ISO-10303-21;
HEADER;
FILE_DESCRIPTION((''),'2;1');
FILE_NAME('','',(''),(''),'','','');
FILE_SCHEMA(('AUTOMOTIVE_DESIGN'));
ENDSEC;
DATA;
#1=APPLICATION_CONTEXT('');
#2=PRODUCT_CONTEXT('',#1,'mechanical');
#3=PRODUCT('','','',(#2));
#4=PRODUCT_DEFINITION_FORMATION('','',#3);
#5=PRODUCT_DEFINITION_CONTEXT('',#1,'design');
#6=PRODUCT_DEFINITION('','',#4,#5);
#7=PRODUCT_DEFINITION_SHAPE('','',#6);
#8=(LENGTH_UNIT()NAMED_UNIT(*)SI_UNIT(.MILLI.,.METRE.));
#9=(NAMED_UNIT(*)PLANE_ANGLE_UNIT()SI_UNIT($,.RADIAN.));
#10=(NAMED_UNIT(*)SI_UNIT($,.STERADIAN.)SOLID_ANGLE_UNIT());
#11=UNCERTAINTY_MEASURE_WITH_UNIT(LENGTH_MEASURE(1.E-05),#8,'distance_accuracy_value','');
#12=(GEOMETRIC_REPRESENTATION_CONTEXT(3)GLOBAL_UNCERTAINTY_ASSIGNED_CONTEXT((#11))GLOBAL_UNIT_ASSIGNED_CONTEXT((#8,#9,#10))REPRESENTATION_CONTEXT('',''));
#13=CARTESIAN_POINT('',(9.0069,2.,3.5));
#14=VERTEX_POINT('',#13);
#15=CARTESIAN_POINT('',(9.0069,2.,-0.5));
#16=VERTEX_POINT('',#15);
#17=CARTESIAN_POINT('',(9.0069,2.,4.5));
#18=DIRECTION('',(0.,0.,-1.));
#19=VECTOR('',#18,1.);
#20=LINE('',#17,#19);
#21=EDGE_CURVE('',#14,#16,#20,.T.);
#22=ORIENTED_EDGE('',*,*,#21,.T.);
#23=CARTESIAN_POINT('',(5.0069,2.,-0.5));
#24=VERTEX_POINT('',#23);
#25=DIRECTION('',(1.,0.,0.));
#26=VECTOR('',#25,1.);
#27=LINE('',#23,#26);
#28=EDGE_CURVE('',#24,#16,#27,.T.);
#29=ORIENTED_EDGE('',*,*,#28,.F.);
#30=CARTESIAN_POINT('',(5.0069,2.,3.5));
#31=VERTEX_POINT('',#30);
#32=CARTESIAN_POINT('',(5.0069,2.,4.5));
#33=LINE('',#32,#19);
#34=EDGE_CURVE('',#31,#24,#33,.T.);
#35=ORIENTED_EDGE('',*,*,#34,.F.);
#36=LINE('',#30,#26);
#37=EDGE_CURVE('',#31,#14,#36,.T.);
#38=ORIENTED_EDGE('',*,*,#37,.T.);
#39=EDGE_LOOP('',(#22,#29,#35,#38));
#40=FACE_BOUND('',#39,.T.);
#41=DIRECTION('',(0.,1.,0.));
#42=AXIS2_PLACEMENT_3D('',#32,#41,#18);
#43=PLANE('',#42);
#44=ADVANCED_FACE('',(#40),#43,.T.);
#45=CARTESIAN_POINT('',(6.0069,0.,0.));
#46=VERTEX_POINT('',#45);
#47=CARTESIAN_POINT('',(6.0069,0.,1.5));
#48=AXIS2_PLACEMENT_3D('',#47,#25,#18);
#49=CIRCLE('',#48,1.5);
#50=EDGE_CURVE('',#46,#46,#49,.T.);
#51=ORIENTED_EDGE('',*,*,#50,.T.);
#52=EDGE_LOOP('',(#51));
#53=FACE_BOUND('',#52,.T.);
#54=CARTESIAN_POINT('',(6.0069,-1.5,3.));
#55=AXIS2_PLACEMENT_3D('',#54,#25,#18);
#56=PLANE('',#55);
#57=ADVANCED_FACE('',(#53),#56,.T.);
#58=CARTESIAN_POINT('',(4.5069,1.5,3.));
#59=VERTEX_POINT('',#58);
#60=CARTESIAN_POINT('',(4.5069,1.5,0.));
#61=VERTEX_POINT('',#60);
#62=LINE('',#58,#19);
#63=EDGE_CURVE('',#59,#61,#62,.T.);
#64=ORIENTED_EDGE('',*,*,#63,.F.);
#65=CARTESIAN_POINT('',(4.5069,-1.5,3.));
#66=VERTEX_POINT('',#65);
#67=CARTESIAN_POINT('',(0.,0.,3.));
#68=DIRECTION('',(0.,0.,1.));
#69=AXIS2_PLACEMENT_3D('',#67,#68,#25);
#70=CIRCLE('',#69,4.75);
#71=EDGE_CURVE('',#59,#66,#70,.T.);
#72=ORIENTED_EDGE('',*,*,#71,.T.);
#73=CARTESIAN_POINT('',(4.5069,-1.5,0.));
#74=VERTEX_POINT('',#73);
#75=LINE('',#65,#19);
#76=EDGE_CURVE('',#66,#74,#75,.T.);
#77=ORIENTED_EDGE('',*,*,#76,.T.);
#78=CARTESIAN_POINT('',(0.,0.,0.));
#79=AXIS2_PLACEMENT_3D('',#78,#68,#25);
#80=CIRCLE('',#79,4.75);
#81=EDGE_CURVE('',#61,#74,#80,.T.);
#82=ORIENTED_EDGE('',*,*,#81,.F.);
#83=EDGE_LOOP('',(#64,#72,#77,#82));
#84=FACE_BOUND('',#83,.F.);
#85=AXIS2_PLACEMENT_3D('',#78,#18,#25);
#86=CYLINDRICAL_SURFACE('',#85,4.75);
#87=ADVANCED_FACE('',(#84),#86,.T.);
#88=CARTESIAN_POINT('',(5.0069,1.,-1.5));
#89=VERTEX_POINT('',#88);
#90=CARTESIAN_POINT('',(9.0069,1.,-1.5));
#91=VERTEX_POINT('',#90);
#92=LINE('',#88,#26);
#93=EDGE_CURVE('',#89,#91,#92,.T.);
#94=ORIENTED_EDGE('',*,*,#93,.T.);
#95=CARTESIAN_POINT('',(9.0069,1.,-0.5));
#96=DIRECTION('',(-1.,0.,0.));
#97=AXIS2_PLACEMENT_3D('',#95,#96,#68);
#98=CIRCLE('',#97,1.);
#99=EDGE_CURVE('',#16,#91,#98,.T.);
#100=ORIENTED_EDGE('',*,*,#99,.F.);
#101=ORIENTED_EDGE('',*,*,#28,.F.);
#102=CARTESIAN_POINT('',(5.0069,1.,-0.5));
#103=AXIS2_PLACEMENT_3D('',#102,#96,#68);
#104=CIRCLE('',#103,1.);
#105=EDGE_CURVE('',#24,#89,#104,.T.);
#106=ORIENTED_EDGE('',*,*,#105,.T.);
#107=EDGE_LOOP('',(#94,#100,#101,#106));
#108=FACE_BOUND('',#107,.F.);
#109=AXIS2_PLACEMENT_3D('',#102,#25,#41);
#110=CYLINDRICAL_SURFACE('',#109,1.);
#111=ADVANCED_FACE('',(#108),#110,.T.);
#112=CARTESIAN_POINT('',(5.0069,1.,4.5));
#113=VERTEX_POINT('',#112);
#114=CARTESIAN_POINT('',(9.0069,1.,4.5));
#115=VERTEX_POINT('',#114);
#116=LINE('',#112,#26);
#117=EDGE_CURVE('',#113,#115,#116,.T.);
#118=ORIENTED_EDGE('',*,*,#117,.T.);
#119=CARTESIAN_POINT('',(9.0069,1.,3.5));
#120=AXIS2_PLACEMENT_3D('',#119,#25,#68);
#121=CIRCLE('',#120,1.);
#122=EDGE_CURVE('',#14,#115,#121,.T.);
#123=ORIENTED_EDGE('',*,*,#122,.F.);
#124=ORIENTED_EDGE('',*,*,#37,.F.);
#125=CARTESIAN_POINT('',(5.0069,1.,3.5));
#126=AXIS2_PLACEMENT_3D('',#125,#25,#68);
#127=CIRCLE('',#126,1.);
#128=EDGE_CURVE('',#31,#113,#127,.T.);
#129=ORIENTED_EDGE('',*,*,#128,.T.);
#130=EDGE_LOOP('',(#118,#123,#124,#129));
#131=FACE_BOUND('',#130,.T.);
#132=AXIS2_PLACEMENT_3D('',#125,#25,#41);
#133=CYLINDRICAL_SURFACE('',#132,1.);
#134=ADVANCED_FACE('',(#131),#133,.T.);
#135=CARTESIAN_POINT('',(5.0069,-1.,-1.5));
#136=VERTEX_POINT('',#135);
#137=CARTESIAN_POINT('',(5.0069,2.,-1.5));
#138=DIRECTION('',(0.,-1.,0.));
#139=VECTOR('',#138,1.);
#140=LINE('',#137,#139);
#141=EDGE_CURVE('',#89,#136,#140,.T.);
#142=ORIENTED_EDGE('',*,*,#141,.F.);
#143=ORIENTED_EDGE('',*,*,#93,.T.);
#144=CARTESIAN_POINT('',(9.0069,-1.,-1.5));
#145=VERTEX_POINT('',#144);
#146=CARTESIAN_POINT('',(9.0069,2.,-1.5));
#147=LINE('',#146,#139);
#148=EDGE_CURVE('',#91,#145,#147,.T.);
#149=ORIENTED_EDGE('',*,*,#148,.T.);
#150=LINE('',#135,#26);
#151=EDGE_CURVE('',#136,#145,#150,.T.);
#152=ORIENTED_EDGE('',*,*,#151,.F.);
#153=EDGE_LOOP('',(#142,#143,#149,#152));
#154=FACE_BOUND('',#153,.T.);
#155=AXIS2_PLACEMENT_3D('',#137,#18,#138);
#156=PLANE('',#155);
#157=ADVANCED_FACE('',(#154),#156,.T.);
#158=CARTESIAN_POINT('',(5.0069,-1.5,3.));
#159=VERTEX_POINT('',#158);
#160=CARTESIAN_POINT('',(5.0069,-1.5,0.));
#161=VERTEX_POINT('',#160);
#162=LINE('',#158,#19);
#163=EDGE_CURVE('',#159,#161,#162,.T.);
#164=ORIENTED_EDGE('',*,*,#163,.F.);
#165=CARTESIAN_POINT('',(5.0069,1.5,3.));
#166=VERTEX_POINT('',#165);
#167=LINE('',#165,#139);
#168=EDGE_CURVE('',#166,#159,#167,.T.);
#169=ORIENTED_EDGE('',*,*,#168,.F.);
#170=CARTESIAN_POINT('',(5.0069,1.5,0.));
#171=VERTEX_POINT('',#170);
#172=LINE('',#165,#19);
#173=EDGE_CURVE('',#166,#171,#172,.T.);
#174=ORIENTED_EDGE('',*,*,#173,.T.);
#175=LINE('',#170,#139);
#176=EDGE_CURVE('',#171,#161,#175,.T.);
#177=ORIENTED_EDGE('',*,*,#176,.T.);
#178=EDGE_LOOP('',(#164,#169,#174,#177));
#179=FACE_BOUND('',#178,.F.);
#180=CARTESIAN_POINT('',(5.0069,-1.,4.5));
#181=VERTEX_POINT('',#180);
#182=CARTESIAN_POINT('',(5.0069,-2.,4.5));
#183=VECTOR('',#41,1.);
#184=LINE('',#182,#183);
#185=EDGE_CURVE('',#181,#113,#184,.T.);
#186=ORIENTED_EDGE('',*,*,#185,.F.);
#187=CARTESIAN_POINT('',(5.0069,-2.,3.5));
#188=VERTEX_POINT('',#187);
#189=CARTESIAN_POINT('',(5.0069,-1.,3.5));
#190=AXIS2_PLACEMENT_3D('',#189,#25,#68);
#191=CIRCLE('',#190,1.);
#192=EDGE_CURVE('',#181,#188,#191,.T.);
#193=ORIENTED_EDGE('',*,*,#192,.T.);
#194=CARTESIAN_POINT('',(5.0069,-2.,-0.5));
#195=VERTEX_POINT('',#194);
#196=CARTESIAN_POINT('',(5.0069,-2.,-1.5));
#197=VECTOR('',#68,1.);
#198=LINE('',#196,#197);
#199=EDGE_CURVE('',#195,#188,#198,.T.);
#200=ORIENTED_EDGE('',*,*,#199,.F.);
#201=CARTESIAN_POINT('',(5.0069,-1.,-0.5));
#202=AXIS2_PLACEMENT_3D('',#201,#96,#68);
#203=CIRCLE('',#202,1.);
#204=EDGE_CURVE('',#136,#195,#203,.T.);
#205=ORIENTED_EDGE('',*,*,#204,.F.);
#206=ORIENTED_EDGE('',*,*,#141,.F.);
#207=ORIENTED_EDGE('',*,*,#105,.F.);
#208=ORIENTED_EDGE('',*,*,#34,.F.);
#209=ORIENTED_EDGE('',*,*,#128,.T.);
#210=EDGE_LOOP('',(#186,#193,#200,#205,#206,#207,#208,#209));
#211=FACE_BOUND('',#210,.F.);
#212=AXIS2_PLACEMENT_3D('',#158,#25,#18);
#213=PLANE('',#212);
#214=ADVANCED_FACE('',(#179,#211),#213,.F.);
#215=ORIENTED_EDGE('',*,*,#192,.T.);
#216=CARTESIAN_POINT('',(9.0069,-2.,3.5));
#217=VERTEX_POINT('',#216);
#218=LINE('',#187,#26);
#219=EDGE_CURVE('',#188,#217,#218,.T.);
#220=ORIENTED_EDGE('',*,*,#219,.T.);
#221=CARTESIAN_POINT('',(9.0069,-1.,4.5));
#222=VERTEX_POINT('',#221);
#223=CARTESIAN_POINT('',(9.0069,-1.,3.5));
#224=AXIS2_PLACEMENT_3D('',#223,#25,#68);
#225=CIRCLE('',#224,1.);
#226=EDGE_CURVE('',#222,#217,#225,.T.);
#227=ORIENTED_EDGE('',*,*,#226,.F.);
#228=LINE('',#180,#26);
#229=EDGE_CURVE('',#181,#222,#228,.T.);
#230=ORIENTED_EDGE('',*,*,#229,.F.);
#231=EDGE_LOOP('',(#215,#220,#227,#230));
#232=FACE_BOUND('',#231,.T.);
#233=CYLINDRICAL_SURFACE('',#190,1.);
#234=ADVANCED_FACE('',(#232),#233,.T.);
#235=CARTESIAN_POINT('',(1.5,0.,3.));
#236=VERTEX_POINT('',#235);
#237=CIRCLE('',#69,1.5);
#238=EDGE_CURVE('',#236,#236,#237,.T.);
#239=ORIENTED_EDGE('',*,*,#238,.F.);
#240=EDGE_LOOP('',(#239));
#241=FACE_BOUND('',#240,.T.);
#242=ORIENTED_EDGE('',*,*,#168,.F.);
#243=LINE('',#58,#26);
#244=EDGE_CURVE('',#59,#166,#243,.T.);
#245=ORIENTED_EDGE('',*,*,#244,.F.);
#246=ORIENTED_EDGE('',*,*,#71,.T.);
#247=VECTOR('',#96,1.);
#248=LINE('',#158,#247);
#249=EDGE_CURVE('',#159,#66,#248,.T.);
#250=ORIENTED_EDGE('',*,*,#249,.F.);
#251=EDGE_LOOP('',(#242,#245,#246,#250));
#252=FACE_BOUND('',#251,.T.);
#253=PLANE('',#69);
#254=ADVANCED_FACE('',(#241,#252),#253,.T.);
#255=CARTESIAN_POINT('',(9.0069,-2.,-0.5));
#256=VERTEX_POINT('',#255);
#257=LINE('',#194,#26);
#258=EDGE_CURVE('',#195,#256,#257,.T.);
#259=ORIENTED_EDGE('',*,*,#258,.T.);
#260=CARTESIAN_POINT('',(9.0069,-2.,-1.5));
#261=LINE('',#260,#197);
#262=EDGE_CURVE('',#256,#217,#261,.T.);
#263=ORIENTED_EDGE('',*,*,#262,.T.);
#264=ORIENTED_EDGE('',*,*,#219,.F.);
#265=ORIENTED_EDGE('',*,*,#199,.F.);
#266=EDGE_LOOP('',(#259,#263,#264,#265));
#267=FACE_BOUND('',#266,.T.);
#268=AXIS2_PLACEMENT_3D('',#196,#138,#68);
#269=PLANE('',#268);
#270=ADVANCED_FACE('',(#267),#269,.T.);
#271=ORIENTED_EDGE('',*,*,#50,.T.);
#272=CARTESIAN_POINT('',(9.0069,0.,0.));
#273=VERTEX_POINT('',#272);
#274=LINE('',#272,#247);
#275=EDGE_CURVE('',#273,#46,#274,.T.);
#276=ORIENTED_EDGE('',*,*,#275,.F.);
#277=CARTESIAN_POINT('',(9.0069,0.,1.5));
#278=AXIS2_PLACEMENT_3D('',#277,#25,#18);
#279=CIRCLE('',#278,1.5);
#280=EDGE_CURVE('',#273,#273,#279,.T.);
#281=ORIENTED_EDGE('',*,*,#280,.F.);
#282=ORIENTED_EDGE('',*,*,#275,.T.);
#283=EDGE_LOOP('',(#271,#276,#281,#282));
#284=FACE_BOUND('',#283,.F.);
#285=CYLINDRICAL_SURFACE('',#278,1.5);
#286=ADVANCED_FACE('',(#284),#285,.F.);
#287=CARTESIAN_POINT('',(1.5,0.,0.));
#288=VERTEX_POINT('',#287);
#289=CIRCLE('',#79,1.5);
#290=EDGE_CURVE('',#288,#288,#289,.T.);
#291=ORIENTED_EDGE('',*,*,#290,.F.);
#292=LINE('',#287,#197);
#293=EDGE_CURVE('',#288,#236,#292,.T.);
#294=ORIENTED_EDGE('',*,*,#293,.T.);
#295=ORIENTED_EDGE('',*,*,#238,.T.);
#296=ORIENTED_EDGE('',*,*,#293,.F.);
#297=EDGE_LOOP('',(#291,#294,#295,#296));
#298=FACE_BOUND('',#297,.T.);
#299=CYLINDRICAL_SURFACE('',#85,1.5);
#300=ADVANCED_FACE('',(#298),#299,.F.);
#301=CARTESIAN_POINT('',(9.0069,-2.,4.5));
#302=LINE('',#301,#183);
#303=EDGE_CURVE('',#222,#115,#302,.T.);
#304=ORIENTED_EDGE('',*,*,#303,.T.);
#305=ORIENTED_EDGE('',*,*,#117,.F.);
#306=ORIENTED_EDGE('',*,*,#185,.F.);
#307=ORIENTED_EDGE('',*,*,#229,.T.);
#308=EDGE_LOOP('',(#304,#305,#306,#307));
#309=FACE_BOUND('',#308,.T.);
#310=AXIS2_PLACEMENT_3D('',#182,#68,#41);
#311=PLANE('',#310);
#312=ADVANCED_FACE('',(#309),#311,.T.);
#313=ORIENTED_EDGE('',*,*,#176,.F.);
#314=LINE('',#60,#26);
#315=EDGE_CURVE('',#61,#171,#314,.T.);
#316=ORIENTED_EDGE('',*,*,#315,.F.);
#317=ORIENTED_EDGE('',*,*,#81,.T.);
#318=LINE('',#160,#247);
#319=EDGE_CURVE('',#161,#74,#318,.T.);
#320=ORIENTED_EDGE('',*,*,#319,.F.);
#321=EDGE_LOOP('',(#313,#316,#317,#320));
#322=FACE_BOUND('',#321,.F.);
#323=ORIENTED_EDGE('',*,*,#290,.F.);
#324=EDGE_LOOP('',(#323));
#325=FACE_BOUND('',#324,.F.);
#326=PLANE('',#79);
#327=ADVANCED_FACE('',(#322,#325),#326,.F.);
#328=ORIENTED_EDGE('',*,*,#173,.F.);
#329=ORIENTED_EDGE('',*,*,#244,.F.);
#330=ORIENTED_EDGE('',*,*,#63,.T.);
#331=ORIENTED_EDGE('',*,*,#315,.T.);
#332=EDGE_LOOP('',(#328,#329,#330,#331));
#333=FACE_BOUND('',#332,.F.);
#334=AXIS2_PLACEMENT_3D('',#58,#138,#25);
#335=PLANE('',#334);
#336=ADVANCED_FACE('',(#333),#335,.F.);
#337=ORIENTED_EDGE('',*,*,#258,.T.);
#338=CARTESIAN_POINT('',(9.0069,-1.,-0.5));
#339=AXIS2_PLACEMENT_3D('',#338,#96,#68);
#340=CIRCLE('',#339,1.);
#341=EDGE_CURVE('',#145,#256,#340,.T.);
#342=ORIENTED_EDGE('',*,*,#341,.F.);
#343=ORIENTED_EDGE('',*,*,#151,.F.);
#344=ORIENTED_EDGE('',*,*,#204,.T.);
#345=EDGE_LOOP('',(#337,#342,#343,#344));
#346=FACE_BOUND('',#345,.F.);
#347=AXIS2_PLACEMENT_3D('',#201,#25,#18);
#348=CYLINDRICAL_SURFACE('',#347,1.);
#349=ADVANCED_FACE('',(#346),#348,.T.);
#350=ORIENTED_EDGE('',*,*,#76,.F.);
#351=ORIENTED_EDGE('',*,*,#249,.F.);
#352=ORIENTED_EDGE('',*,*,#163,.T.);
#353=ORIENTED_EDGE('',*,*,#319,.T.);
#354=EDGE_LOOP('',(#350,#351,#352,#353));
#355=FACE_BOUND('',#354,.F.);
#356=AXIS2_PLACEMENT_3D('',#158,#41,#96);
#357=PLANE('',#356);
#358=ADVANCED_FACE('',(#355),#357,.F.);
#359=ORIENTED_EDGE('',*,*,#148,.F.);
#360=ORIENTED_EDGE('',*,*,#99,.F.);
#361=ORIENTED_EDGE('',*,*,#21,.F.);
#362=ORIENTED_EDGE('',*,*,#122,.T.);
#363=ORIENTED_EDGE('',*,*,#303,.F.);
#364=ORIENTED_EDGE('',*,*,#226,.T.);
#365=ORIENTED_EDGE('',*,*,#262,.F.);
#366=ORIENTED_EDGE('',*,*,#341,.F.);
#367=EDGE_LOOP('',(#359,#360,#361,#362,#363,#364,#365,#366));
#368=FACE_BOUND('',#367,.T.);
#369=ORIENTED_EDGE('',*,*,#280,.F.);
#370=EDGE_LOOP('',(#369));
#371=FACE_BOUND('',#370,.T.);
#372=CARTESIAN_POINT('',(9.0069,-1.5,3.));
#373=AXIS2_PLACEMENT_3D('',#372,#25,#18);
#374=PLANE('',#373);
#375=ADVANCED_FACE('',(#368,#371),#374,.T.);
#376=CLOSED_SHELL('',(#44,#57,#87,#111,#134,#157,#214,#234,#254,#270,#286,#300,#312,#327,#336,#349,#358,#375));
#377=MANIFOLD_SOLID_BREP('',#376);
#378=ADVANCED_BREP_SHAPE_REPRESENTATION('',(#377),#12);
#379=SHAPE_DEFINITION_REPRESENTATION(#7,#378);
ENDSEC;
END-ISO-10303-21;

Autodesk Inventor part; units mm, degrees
ref_plane "YZ Plane" through (0, 0, 0) normal (1, 0, 0) x (0, 1, 0)
ref_plane "XZ Plane" through (0, 0, 0) normal (0, 1, 0) x (-1, 0, 0)
ref_plane "XY Plane" through (0, 0, 0) normal (0, 0, 1) x (1, 0, 0)
sketch "Sketch1" plane through (0, 0, 0) normal (0, 0, 1) x (1, 0, 0)
  circle A0 centre (0, 0) radius 1.5
  circle A1 centre (0, 0) radius 4.75
  dimension "d0" = 3
  dimension "d1" = 9.5
extrude "Extrusion1" add sketch "Sketch1" along normal blind 3
sketch "Sketch2" plane through (0, 0, 3) normal (0, 0, 1) x (1, 0, 0)
  circle A0 centre (0, 0) radius 4.75 projected
  line L0 (4.5069, 1.5) -> (5.0069, 1.5)
  line L1 (5.0069, 1.5) -> (5.0069, -1.5)
  line L2 (5.0069, -1.5) -> (4.5069, -1.5)
  line L3 (4.5069, -1.5) -> (4.5069, 1.5)
  point P0 (4.5069, 0)
  dimension "d4" = 3
  dimension "d5" = 0.5
extrude "Extrusion2" add sketch "Sketch2" against normal blind 3 contours A0 L0 L1 L2
sketch "Sketch4" plane through (5.0069, -1.5, 3) normal (1, 0, 0) x (0, 0, -1)
  line L0 (-1.5, 3.5) -> (4.5, 3.5)
  line L1 (4.5, 3.5) -> (4.5, -0.5)
  line L2 (4.5, -0.5) -> (-1.5, -0.5)
  line L3 (-1.5, -0.5) -> (-1.5, 3.5)
  line L4 (0, 3) -> (3, 3) projected
  line L5 (0, 0) -> (0, 3) projected
  point P0 (3, 1.5)
  point P1 (1.5, 3)
  point P2 (1.5, 3.5)
  point P3 (0, 1.5)
  point P4 (-1.5, 1.5)
  dimension "d9" = 6
  dimension "d10" = 4
extrude "Extrusion3" add sketch "Sketch4" along normal blind 4
fillet "Fillet1" radius 1 4 edges at (7.0069, 2, 4.5) (7.0069, -2, 4.5) (7.0069, -2, -1.5) (7.0069, 2, -1.5)
sketch "Sketch6" plane through (9.0069, -1.5, 3) normal (1, 0, 0) x (0, 0, -1)
  circle A0 centre (1.5, 1.5) radius 1.5
  line L0 (3.5, 3.5) -> (-0.5, 3.5) projected
  line L1 (-1.5, 2.5) -> (-1.5, 0.5) projected
  point P0 (3, 1.5)
  point P1 (-1.5, 1.5)
  point P2 (1.5, 3.5)
  dimension "d14" = 3
extrude "Extrusion4" cut sketch "Sketch6" against normal blind 3
properties part number "Arm7" material "ABS Plastic"
